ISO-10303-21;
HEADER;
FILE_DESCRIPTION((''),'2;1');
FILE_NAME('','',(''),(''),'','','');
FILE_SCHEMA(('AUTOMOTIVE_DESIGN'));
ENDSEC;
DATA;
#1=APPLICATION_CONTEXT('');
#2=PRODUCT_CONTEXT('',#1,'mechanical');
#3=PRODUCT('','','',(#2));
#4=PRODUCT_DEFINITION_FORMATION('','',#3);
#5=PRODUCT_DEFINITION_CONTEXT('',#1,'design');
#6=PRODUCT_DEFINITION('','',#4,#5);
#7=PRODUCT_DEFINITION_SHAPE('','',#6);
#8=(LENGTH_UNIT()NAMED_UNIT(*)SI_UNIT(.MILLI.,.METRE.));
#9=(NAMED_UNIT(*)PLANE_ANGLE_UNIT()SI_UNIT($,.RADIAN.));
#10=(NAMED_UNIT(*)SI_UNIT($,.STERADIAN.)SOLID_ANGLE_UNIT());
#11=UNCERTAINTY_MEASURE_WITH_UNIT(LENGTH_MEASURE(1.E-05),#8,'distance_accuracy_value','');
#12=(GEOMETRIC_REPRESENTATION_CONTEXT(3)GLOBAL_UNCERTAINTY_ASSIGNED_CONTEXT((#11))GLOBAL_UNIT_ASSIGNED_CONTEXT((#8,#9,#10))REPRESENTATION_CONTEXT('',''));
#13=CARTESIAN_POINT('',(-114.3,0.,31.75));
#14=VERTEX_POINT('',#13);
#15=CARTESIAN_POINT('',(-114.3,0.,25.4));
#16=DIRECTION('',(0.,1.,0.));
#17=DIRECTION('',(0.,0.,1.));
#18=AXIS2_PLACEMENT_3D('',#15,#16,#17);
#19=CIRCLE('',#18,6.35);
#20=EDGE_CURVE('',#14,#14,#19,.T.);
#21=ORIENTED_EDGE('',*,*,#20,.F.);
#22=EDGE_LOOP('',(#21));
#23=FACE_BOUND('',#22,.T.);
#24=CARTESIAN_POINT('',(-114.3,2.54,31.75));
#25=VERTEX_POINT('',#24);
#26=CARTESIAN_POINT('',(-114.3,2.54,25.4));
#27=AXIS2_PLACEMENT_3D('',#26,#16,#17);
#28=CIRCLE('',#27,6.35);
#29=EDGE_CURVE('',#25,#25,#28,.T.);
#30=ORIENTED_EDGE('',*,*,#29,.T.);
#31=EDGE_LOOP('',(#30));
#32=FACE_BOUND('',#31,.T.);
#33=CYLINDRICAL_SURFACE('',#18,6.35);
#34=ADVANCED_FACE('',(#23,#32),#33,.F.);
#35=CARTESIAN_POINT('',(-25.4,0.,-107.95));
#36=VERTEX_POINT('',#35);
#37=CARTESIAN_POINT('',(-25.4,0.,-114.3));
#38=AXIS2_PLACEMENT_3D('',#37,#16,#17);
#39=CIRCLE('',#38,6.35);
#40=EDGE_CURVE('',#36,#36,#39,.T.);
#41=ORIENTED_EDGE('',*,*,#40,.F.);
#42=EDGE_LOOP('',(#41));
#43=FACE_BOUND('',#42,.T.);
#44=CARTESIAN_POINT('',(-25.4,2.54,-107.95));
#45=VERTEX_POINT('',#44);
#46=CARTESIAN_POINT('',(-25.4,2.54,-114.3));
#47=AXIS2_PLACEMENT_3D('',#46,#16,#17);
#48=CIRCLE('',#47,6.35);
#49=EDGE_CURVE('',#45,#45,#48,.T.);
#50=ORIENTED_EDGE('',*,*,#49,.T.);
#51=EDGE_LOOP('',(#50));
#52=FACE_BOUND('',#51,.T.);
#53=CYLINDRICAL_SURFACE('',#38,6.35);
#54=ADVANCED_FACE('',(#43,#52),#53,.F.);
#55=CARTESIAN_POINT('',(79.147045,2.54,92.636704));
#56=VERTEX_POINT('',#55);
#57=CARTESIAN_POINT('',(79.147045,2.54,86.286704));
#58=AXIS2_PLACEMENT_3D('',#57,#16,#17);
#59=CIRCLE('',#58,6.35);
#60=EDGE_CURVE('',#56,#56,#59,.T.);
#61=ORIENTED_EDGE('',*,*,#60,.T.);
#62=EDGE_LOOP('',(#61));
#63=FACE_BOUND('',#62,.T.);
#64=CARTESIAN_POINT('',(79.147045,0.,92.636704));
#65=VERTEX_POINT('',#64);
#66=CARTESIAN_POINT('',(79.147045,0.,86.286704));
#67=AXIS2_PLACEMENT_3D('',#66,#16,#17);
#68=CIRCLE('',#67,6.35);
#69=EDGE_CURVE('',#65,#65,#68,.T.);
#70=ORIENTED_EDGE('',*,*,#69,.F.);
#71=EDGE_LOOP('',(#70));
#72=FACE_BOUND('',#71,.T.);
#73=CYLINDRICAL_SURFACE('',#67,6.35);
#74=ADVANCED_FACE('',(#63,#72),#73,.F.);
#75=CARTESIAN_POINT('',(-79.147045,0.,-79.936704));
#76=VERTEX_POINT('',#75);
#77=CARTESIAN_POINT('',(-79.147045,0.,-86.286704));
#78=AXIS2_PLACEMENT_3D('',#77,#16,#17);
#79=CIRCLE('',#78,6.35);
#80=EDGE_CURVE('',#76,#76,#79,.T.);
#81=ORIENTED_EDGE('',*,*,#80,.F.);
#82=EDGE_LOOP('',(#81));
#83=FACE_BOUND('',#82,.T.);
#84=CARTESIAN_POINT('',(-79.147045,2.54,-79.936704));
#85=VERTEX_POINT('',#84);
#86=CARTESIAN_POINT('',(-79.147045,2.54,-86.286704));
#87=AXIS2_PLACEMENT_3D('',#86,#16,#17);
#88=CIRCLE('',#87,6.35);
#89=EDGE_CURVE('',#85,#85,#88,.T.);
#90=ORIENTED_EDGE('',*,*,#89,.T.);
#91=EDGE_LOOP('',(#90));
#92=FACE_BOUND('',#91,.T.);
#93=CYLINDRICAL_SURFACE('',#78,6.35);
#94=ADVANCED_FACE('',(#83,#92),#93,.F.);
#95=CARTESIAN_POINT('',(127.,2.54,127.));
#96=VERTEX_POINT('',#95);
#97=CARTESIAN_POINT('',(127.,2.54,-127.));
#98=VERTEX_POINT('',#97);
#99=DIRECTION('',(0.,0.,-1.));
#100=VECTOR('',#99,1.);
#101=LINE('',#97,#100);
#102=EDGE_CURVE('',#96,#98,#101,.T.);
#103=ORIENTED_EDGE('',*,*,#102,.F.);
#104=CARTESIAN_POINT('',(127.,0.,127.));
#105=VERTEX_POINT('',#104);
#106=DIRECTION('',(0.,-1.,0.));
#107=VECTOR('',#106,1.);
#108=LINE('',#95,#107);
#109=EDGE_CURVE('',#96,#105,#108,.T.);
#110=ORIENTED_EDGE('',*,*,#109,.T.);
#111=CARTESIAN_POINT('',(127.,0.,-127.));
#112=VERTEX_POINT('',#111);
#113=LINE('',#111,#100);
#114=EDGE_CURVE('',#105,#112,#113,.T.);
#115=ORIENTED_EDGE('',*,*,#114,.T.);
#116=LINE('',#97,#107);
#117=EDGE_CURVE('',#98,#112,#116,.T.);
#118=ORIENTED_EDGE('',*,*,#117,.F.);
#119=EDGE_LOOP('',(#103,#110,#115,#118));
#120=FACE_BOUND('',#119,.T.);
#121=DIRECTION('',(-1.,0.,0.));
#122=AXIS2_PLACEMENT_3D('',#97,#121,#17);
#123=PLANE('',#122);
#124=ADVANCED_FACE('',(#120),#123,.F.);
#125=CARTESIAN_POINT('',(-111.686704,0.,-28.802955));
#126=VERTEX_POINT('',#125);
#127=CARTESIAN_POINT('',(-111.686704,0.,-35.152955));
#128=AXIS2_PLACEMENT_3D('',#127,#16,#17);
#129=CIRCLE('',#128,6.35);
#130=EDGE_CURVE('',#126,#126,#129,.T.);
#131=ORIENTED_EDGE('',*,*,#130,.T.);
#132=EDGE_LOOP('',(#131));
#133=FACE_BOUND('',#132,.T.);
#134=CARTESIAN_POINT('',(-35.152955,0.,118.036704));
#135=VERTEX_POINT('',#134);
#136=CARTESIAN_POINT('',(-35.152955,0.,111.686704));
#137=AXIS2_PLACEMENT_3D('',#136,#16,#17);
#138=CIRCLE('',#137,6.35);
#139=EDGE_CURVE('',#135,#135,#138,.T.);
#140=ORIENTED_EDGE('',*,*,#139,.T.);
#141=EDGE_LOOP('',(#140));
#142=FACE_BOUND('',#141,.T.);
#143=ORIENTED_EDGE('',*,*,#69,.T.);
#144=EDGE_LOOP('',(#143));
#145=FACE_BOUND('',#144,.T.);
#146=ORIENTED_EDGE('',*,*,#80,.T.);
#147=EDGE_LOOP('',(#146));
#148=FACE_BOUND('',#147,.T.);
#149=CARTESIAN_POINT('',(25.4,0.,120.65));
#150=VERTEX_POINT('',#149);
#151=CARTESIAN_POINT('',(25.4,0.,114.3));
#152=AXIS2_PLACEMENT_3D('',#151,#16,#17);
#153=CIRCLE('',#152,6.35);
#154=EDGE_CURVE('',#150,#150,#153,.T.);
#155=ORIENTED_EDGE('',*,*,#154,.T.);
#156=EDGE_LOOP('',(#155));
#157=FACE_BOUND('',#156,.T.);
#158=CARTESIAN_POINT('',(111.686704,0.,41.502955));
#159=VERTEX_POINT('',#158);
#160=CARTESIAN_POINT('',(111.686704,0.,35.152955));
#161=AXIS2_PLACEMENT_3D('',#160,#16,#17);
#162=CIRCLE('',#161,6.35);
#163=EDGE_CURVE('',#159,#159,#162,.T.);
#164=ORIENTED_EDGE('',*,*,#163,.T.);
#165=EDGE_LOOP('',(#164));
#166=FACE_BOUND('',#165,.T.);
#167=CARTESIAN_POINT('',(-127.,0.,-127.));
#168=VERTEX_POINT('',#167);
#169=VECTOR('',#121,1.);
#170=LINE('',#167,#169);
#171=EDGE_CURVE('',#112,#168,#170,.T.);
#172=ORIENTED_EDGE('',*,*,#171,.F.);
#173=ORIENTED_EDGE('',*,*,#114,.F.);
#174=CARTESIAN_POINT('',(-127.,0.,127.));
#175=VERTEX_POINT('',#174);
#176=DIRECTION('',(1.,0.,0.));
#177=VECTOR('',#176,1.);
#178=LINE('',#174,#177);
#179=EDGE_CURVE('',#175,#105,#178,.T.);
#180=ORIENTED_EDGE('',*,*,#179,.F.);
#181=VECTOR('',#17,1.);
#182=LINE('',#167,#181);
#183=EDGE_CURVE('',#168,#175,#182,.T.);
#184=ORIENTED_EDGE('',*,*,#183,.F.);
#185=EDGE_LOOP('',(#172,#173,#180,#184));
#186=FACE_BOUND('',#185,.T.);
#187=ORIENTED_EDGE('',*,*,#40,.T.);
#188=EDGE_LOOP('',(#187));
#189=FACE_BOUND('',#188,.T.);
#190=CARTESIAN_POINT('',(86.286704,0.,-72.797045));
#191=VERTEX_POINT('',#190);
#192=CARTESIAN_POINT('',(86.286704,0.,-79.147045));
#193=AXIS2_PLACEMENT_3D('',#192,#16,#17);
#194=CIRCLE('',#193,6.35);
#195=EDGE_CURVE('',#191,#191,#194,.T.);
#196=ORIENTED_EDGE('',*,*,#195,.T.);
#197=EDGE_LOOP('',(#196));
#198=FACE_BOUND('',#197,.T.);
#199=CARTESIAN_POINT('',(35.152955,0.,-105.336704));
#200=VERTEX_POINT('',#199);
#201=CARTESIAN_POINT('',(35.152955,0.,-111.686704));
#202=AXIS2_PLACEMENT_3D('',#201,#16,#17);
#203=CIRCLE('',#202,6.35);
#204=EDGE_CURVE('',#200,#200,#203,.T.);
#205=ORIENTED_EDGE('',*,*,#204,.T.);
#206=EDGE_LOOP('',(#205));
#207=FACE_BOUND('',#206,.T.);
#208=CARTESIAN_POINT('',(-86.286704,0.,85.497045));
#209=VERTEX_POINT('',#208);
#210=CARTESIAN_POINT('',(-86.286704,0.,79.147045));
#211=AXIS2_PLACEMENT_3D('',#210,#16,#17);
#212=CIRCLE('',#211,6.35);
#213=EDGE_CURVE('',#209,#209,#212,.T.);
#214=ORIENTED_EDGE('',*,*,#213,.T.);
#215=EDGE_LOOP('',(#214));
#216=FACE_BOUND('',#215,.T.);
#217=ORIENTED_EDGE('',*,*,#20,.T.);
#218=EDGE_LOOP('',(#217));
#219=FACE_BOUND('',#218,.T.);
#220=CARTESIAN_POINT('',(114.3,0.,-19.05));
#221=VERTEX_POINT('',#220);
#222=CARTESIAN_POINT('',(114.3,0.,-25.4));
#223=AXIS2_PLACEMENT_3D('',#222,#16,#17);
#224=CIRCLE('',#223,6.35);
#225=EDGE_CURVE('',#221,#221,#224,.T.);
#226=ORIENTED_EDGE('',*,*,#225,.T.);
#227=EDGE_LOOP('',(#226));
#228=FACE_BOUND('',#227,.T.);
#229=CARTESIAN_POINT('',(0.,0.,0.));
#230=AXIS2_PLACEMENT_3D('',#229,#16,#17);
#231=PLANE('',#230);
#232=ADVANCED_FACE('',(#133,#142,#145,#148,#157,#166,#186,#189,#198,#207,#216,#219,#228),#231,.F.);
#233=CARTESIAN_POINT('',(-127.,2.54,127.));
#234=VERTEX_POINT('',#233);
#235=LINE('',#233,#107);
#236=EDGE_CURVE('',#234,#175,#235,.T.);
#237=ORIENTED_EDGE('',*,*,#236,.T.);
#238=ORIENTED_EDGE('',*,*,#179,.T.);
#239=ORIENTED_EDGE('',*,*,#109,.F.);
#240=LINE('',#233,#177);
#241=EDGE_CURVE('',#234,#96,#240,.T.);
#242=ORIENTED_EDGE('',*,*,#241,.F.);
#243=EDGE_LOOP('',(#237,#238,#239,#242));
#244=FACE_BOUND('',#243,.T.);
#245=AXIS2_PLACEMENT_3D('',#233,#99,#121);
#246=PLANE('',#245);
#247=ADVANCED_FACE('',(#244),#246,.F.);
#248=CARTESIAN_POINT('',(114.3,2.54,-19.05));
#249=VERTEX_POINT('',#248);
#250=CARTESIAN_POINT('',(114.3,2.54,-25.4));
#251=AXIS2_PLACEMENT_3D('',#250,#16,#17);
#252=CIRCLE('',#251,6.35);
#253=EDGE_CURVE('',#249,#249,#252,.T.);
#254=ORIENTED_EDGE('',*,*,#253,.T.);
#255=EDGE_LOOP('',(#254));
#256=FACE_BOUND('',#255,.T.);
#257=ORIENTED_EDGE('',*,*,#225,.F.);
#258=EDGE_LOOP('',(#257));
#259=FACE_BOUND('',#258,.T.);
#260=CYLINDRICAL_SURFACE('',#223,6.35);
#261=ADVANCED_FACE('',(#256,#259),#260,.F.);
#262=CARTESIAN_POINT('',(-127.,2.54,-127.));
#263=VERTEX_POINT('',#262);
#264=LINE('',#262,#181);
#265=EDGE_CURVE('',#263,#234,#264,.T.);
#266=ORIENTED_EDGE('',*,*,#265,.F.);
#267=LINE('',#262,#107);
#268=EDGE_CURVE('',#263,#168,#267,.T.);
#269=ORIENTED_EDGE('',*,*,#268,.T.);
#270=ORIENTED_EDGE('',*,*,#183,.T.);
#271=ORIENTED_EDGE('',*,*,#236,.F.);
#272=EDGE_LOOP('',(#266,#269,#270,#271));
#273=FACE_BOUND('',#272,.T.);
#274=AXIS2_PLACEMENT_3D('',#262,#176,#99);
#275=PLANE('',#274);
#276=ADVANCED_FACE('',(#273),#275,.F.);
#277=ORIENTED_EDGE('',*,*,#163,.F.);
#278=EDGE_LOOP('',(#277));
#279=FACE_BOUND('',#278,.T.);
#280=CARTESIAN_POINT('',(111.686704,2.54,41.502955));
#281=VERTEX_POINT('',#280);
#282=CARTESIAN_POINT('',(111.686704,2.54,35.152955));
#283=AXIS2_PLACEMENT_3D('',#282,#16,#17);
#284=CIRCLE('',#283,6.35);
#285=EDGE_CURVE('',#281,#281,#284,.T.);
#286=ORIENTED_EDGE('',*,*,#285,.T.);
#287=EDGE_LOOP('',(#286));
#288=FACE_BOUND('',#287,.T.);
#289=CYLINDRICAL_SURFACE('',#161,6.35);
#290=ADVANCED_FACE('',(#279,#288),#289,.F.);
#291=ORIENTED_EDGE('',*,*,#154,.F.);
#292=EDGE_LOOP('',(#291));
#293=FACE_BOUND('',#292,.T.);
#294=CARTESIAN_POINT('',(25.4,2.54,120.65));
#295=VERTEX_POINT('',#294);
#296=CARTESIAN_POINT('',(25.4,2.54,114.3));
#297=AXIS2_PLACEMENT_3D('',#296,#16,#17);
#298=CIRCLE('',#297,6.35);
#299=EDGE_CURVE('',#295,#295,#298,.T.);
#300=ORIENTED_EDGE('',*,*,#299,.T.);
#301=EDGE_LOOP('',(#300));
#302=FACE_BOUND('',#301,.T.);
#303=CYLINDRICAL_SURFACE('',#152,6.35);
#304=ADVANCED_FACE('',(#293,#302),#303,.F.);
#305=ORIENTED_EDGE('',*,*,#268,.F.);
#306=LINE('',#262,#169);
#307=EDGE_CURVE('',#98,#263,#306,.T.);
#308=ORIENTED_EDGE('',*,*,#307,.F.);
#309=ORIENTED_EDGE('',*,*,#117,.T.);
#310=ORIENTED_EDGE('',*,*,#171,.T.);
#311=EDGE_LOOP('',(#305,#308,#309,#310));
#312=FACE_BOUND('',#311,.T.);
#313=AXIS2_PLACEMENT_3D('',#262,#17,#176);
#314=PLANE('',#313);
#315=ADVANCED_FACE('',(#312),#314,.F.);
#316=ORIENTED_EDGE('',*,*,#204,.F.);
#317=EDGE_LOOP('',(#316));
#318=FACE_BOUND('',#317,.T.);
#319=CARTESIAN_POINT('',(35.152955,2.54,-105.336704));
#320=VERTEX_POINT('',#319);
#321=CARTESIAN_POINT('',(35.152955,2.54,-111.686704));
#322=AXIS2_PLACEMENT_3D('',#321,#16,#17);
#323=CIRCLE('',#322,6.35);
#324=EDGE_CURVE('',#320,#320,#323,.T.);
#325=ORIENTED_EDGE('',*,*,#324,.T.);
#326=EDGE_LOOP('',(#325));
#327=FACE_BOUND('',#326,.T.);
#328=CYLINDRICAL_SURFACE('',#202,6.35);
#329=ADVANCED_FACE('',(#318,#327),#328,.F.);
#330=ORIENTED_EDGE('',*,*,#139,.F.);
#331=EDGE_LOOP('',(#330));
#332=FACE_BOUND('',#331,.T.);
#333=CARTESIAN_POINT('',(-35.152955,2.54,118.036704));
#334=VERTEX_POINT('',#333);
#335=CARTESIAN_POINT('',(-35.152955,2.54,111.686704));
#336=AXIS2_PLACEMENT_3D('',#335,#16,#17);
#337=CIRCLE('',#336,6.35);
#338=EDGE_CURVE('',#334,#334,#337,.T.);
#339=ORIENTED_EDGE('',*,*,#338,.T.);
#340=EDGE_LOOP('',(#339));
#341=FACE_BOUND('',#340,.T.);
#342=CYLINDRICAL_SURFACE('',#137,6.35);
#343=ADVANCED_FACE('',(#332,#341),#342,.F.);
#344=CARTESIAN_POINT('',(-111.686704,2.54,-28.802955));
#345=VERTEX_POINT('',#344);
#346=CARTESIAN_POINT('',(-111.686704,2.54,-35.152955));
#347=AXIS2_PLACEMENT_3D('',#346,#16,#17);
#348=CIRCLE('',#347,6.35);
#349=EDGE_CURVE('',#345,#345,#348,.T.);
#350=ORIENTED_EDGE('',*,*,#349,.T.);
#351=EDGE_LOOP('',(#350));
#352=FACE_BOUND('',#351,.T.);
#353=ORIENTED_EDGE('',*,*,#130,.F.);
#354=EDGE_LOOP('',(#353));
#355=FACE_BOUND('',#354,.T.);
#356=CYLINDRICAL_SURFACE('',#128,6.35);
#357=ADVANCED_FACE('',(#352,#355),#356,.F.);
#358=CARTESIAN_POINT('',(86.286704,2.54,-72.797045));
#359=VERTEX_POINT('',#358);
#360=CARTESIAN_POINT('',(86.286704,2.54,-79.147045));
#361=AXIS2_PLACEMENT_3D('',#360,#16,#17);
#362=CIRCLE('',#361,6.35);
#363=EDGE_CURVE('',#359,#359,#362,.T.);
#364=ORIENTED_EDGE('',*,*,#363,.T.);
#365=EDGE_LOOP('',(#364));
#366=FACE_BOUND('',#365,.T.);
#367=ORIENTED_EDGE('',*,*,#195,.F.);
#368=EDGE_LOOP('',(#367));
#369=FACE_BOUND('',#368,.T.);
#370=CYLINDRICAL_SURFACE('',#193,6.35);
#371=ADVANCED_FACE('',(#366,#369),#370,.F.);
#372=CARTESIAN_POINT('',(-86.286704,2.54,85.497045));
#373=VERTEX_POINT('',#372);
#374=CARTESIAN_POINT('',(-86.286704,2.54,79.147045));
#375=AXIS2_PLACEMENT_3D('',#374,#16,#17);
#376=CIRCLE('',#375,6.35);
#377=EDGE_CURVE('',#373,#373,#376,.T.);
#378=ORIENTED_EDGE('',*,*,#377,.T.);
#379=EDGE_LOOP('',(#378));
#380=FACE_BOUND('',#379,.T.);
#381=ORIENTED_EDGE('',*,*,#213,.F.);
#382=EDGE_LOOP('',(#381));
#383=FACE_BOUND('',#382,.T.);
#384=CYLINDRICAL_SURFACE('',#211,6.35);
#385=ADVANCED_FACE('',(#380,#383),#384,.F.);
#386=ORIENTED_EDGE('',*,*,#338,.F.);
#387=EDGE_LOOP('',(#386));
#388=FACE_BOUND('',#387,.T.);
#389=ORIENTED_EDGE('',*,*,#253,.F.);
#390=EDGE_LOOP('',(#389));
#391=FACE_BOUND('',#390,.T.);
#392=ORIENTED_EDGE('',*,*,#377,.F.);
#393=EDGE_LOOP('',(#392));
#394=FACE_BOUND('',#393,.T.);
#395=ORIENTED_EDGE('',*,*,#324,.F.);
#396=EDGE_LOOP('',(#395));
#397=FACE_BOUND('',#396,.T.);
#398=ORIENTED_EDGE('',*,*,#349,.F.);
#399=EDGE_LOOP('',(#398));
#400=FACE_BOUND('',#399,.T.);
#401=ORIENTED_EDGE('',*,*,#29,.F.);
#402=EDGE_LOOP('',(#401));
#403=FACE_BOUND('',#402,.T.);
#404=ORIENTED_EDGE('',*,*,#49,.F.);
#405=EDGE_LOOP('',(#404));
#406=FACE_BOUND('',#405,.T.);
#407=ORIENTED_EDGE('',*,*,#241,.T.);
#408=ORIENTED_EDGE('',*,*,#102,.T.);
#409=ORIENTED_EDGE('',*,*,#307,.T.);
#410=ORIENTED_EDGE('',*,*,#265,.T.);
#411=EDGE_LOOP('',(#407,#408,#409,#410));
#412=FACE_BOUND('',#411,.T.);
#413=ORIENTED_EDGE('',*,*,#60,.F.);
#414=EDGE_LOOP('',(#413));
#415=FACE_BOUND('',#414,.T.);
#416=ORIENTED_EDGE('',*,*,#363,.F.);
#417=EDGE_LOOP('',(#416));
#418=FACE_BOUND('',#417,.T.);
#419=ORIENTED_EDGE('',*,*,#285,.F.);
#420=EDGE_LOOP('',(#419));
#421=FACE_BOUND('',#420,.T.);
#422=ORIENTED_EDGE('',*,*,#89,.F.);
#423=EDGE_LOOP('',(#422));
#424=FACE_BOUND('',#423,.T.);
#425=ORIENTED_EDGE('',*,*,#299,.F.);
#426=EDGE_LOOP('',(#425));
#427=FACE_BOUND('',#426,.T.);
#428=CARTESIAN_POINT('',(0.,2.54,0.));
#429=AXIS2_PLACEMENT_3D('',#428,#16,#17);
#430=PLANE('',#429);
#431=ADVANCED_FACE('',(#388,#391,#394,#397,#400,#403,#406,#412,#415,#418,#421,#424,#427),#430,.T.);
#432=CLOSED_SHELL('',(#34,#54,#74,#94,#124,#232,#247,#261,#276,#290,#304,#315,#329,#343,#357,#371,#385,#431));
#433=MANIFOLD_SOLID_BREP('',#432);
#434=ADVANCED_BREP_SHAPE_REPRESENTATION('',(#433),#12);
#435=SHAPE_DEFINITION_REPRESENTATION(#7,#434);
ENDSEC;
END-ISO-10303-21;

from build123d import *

# Parameters (mm, degrees)
SKETCH1_W           = 254
SKETCH1_H           = 254
BOSS_EXTRUDE1_DEPTH = 2.54
SKETCH2_R           = 6.35
CUT_EXTRUDE1_DEPTH  = 180.623082036


with BuildPart() as part:
    # Sketch1 → Boss-Extrude1 (new body)
    with BuildSketch(Plane(origin=(0, 0, 0), x_dir=(1, 0, 0), z_dir=(0, 1, 0))):
        Rectangle(SKETCH1_W, SKETCH1_H)
    extrude(amount=BOSS_EXTRUDE1_DEPTH)

    # Sketch2 → Cut-Extrude1 (cut, through all)
    with BuildSketch(Plane(origin=(0, 2.54, 0), x_dir=(1, 0, 0), z_dir=(0, 1, 0))):
        with Locations(Location((114.3, 25.4, 0), (0, 0, 270))):
            Circle(SKETCH2_R)
        with Locations(Location((111.686703653, -35.152954744, 0), (0, 0, 270))):
            Circle(SKETCH2_R)
        with Locations(Location((79.147045256, -86.286703653, 0), (0, 0, 270))):
            Circle(SKETCH2_R)
        with Locations(Location((25.4, -114.3, 0), (0, 0, 270))):
            Circle(SKETCH2_R)
        with Locations(Location((-35.152954744, -111.686703653, 0), (0, 0, 270))):
            Circle(SKETCH2_R)
        with Locations(Location((-86.286703653, -79.147045256, 0), (0, 0, 270))):
            Circle(SKETCH2_R)
        with Locations(Location((-114.3, -25.4, 0), (0, 0, 270))):
            Circle(SKETCH2_R)
        with Locations(Location((-111.686703653, 35.152954744, 0), (0, 0, 270))):
            Circle(SKETCH2_R)
        with Locations(Location((-79.147045256, 86.286703653, 0), (0, 0, 270))):
            Circle(SKETCH2_R)
        with Locations(Location((-25.4, 114.3, 0), (0, 0, 270))):
            Circle(SKETCH2_R)
        with Locations(Location((35.152954744, 111.686703653, 0), (0, 0, 270))):
            Circle(SKETCH2_R)
        with Locations(Location((86.286703653, 79.147045256, 0), (0, 0, 270))):
            Circle(SKETCH2_R)
    extrude(amount=-CUT_EXTRUDE1_DEPTH, mode=Mode.SUBTRACT)


solid = part.part
